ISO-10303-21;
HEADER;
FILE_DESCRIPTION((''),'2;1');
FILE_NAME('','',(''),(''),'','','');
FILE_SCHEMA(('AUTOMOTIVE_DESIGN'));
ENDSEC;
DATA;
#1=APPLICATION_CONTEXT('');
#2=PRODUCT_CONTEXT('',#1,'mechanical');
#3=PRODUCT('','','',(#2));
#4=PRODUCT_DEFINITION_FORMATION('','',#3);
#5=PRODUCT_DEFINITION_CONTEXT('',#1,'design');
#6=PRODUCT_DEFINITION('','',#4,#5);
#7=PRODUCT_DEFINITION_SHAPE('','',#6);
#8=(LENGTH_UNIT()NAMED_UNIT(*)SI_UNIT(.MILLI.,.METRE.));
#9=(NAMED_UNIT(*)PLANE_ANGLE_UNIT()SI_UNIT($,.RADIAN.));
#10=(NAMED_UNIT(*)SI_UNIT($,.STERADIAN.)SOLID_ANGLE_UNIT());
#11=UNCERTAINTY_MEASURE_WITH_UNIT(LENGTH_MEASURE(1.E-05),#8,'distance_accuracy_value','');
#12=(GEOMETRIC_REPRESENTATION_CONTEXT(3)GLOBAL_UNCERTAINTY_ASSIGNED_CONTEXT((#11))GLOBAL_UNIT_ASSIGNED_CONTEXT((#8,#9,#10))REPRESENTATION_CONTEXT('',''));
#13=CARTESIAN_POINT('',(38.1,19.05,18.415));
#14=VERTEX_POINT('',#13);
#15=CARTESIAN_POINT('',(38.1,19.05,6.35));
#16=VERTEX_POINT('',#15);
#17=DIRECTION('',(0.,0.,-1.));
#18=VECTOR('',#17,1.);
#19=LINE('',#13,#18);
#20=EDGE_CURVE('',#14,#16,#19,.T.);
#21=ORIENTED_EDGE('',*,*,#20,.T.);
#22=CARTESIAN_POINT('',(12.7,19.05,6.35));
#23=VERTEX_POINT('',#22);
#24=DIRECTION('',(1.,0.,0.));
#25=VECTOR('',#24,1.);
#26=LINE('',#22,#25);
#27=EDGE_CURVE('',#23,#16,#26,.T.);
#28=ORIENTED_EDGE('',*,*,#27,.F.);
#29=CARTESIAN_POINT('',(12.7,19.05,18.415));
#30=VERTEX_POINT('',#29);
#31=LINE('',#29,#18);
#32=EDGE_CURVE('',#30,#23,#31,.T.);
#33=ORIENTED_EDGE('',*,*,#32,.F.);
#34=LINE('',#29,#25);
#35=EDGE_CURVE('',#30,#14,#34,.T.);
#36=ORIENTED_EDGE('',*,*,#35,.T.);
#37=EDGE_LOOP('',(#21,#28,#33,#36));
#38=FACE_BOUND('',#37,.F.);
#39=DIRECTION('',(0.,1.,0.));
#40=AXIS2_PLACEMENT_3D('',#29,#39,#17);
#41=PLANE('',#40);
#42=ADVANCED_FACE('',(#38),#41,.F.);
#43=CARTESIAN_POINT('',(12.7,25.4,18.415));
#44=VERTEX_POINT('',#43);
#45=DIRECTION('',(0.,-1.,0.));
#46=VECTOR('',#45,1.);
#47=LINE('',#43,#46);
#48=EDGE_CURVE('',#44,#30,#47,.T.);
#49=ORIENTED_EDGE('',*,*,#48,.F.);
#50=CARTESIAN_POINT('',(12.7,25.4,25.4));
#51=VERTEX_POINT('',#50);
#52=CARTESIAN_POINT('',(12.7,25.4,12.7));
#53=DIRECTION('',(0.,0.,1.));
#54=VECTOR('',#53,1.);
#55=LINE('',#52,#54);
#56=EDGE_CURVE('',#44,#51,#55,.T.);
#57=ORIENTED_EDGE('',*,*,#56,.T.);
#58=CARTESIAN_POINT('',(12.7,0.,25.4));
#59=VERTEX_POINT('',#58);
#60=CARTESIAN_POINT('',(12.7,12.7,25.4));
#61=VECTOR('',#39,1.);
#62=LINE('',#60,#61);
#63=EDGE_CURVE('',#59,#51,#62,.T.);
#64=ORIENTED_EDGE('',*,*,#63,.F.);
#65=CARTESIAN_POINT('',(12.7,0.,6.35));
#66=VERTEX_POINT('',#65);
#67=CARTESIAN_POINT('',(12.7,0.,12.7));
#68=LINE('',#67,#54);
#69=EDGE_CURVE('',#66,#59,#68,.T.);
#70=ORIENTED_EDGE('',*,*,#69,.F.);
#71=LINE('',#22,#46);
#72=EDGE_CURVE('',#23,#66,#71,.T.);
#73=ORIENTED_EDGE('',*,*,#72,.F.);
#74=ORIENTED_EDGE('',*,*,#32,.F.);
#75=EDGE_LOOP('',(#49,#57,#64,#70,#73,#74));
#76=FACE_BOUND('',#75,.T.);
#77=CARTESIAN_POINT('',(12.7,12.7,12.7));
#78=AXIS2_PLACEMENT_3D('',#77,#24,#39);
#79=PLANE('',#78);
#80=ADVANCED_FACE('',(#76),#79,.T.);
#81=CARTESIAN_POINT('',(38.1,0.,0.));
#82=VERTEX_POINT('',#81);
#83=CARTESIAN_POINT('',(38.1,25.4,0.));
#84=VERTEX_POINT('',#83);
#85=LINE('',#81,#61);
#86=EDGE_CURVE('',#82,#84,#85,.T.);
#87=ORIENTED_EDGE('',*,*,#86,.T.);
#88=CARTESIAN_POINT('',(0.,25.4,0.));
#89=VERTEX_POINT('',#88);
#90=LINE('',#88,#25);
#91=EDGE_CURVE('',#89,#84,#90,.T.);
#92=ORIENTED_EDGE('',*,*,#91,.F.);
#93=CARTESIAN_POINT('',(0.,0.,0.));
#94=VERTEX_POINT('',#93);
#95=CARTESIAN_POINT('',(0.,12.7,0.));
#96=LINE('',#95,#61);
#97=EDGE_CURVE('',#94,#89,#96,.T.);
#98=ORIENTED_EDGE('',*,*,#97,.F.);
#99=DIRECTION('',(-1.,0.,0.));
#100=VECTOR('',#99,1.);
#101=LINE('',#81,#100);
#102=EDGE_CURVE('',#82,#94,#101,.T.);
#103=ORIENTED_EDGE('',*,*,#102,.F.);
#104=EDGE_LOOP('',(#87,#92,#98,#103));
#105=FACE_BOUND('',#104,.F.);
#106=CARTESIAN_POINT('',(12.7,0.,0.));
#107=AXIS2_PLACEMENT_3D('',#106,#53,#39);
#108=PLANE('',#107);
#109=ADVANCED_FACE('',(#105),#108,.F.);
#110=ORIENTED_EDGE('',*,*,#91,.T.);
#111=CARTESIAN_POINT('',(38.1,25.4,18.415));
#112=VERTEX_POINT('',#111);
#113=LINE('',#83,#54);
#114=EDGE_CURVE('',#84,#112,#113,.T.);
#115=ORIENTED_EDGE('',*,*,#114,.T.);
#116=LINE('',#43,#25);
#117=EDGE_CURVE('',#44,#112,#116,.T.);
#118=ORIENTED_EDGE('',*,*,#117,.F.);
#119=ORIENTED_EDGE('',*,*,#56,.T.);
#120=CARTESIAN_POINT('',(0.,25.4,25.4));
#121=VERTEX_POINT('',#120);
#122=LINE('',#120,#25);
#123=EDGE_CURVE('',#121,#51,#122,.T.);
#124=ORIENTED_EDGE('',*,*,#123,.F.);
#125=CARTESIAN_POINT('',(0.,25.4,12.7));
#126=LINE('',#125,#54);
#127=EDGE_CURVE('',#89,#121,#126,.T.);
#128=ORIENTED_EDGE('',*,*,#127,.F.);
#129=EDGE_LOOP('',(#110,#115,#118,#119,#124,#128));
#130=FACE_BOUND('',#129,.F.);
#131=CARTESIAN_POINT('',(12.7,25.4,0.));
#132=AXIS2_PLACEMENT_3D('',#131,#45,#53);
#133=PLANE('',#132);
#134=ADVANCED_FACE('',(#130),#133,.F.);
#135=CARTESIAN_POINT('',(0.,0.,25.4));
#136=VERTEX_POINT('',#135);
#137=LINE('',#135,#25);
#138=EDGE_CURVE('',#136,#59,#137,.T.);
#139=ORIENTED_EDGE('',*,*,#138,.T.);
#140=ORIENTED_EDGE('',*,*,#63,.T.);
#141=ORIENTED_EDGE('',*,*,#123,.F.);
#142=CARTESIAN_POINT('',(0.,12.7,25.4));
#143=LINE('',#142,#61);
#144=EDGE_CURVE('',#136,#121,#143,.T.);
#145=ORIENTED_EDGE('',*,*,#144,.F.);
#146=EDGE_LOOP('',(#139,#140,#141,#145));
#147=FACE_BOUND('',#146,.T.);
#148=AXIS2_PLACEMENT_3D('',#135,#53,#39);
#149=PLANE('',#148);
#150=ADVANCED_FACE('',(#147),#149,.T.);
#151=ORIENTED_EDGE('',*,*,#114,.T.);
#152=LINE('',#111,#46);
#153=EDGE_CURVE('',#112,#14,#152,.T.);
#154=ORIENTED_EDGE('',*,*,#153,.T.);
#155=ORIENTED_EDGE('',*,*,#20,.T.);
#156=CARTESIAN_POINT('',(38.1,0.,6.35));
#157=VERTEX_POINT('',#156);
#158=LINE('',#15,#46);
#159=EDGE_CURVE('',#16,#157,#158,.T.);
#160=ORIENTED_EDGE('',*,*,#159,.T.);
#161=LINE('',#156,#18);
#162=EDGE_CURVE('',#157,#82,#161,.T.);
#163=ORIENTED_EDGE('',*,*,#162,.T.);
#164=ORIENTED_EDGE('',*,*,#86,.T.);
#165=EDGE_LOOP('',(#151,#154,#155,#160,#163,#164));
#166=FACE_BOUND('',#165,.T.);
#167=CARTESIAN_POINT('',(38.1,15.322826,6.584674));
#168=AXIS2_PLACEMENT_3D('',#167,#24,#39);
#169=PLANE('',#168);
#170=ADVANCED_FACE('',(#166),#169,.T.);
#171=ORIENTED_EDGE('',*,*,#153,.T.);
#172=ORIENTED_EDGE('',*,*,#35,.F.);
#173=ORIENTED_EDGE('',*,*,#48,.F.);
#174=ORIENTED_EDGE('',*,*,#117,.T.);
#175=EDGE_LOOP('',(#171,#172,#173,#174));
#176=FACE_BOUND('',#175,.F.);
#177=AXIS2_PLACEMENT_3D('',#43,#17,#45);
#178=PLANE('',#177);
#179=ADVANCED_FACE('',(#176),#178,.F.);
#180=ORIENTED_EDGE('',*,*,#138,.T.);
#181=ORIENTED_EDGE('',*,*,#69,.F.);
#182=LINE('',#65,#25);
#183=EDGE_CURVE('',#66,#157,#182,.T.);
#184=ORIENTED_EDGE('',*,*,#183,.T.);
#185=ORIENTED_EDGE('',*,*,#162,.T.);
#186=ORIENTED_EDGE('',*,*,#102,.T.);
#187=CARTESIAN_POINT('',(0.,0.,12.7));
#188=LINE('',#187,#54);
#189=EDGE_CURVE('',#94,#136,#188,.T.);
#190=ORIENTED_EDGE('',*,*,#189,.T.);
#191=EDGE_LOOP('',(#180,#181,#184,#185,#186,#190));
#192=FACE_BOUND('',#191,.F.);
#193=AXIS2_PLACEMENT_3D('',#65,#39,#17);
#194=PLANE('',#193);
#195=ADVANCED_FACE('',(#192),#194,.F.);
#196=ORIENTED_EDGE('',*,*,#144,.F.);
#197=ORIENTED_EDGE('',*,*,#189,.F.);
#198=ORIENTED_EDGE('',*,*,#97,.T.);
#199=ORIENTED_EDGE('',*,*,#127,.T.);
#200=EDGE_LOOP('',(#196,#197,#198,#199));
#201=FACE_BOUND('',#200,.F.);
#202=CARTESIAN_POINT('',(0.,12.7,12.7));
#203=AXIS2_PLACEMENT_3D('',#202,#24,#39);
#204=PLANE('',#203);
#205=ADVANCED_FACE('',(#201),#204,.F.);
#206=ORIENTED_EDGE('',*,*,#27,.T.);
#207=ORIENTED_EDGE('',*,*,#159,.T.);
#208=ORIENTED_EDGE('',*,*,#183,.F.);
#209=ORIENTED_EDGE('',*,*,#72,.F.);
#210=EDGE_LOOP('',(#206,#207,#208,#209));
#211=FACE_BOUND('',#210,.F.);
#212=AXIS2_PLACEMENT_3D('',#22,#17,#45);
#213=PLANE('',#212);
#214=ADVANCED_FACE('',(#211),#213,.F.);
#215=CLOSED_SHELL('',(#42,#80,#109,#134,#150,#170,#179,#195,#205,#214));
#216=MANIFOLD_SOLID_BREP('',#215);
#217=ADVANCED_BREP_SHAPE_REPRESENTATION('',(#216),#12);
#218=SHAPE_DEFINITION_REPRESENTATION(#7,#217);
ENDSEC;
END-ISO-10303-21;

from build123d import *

# Parameters (mm, degrees)
F0_W     = 25.4
F0_H     = 25.4
F1_DEPTH = 12.7
F3_DEPTH = 25.4


with BuildPart() as f1:
    # F0 (on Right) → F1 (new body)
    with BuildSketch(Plane.YZ):
        with Locations((12.7, 12.7)):
            Rectangle(F0_W, F0_H)
    extrude(amount=F1_DEPTH)

    # F2 (on face) → F3 (join)
    with BuildSketch(Plane.YZ.offset(12.7)):
        Polygon((0, 0), (25.4, 0), (25.4, 18.415), (19.05, 18.415), (19.05, 6.35), (0, 6.35), align=None)
    extrude(amount=F3_DEPTH)


solid = f1.part
